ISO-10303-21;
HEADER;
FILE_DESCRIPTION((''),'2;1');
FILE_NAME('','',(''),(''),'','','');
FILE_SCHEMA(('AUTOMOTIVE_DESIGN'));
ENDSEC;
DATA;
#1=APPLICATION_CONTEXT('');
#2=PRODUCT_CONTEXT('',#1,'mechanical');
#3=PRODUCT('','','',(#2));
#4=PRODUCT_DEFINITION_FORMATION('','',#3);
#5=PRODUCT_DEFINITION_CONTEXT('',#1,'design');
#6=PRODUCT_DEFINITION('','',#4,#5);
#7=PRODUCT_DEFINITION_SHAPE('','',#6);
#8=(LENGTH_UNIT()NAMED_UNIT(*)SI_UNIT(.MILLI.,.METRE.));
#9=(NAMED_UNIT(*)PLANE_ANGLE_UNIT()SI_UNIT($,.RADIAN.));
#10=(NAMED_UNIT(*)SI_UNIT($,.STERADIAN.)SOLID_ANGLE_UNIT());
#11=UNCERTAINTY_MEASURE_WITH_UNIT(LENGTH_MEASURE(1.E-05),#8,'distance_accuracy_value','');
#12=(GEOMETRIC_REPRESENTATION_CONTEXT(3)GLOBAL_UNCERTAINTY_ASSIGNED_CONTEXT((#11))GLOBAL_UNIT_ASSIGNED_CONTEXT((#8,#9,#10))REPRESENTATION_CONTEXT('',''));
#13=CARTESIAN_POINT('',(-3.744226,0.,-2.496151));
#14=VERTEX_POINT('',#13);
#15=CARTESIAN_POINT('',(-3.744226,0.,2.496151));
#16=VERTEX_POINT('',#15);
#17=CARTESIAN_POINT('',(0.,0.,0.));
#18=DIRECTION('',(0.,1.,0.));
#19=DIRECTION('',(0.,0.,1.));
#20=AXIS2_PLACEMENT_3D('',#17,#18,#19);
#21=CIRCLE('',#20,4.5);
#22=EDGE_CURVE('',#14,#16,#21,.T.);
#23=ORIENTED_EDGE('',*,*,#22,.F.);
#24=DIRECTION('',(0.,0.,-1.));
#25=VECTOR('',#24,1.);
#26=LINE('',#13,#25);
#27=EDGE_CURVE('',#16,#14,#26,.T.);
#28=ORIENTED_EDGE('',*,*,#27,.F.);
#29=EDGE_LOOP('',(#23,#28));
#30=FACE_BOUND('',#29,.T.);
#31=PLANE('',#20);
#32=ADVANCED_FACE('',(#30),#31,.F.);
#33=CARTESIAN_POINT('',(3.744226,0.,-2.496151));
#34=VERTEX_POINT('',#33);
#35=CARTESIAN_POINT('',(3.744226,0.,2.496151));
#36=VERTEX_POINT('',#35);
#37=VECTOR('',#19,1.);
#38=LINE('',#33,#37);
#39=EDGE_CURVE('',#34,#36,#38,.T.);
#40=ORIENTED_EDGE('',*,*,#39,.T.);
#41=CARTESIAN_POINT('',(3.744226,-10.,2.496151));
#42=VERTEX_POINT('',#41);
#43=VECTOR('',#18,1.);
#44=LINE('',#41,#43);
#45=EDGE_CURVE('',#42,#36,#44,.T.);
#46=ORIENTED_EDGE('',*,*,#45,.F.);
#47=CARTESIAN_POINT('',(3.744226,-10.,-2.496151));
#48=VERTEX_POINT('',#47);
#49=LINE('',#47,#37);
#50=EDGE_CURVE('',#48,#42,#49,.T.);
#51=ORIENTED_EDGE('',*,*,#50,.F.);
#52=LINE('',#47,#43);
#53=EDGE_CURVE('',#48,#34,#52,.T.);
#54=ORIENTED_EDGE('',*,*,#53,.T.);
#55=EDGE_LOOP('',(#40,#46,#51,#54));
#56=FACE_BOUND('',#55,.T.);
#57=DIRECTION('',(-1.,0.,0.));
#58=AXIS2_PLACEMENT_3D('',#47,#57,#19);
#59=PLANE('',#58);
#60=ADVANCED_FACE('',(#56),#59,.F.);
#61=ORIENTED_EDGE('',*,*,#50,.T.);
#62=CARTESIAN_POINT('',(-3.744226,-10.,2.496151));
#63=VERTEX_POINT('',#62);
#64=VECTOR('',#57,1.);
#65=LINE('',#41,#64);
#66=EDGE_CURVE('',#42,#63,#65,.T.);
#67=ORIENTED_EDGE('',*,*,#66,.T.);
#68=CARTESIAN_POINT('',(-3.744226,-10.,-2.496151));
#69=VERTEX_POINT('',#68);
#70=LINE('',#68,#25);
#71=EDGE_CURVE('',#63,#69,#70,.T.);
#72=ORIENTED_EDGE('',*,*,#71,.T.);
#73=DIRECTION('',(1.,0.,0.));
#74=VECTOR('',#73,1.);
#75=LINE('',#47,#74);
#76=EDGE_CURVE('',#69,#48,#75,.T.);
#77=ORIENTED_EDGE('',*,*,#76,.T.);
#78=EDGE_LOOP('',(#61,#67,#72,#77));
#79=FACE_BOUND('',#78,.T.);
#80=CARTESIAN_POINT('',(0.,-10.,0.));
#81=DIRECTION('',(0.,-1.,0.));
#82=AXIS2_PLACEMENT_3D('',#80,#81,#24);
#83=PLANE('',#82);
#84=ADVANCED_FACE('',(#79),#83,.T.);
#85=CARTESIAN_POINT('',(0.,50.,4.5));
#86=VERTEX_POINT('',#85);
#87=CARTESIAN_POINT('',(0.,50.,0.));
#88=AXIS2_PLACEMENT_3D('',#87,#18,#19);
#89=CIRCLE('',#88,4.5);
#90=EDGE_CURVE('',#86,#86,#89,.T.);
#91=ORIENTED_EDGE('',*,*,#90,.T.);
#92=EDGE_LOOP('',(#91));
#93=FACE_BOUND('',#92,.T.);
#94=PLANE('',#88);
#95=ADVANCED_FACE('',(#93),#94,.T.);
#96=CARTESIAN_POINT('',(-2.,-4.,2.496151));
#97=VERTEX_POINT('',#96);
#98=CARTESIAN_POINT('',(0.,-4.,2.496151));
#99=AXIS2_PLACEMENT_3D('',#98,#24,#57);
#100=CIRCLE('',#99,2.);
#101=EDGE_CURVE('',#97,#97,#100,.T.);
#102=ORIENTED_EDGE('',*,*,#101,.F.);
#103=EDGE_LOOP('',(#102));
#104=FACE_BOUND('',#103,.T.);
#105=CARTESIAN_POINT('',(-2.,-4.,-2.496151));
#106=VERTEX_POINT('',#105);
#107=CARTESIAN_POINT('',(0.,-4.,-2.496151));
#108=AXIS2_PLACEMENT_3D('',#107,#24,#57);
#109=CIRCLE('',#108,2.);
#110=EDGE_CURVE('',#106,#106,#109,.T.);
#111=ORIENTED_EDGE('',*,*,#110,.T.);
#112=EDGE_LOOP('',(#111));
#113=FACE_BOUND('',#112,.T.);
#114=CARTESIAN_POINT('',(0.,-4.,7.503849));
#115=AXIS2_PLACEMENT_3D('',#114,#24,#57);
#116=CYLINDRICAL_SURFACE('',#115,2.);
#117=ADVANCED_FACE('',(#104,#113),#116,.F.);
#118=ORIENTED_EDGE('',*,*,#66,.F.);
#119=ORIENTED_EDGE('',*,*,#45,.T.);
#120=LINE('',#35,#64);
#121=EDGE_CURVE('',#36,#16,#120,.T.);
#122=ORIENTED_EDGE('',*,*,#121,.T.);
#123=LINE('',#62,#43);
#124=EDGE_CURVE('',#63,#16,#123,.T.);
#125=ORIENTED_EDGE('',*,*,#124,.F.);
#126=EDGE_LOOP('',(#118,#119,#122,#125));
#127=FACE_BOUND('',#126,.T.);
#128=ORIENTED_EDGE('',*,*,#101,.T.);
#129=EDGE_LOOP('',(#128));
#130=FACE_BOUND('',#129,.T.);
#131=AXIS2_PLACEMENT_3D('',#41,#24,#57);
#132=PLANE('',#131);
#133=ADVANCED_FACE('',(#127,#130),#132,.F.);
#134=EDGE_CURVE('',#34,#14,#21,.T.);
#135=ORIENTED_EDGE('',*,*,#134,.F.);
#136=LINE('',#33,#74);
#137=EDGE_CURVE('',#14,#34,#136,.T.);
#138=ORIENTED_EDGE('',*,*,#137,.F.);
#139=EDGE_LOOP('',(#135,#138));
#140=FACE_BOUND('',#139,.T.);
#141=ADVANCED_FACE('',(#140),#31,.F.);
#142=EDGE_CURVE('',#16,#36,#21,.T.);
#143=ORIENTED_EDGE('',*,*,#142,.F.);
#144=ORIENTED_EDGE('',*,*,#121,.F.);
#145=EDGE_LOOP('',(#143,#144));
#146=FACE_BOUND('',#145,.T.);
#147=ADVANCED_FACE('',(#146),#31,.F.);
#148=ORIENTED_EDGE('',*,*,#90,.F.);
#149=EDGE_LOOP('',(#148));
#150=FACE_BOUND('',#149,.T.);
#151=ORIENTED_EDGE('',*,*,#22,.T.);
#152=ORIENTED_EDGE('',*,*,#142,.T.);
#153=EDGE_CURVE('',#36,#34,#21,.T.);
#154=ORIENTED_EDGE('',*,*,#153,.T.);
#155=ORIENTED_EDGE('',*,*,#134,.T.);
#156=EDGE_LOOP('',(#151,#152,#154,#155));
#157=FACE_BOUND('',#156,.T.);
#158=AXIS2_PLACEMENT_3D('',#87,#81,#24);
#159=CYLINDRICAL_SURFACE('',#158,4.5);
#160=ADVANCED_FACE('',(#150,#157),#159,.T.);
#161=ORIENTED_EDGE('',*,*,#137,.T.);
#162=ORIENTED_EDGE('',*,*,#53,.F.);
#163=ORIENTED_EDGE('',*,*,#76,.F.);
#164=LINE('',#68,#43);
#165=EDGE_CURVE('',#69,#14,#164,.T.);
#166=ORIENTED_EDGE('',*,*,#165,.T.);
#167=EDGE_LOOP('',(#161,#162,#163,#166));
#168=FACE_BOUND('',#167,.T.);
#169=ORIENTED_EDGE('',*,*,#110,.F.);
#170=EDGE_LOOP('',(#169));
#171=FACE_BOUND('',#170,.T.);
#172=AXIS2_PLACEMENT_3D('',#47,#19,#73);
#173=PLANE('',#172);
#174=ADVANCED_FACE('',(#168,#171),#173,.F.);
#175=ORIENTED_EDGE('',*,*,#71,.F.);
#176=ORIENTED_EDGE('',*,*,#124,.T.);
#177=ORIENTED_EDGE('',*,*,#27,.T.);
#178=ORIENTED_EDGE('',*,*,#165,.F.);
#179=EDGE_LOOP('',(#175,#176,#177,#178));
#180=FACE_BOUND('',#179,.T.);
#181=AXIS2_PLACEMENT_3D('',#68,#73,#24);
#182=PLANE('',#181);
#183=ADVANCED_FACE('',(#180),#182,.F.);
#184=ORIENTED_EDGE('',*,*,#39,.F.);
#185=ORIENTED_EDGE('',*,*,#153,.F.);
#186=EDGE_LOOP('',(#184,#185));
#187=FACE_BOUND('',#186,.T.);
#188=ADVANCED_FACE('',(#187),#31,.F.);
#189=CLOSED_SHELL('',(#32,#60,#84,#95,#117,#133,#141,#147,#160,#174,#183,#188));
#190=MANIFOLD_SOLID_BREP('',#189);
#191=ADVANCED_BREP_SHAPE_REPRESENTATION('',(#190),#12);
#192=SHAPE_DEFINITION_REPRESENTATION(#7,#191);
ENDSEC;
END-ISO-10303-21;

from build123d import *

# Parameters (mm, degrees)
SKETCH1_R           = 4.5
BOSS_EXTRUDE1_DEPTH = 50
SKETCH2_W           = 7.48845263
SKETCH2_H           = 4.992301796
BOSS_EXTRUDE2_DEPTH = 10
SKETCH3_R           = 2
CUT_EXTRUDE1_DEPTH  = 10


with BuildPart() as part:
    # Sketch1 → Boss-Extrude1 (new body)
    with BuildSketch(Plane(origin=(0, 0, 0), x_dir=(1, 0, 0), z_dir=(0, 1, 0))):
        Circle(SKETCH1_R)
    extrude(amount=BOSS_EXTRUDE1_DEPTH)

    # Sketch2 → Boss-Extrude2 (add)
    with BuildSketch(Plane.XZ):
        Rectangle(SKETCH2_W, SKETCH2_H)
    extrude(amount=BOSS_EXTRUDE2_DEPTH)

    # Sketch3 → Cut-Extrude1 (cut)
    with BuildSketch(Plane(origin=(0, 0, -2.496150898), x_dir=(-1, 0, 0), z_dir=(0, 0, -1))):
        with Locations((0, -4)):
            Circle(SKETCH3_R)
    extrude(amount=-CUT_EXTRUDE1_DEPTH, mode=Mode.SUBTRACT)


solid = part.part
